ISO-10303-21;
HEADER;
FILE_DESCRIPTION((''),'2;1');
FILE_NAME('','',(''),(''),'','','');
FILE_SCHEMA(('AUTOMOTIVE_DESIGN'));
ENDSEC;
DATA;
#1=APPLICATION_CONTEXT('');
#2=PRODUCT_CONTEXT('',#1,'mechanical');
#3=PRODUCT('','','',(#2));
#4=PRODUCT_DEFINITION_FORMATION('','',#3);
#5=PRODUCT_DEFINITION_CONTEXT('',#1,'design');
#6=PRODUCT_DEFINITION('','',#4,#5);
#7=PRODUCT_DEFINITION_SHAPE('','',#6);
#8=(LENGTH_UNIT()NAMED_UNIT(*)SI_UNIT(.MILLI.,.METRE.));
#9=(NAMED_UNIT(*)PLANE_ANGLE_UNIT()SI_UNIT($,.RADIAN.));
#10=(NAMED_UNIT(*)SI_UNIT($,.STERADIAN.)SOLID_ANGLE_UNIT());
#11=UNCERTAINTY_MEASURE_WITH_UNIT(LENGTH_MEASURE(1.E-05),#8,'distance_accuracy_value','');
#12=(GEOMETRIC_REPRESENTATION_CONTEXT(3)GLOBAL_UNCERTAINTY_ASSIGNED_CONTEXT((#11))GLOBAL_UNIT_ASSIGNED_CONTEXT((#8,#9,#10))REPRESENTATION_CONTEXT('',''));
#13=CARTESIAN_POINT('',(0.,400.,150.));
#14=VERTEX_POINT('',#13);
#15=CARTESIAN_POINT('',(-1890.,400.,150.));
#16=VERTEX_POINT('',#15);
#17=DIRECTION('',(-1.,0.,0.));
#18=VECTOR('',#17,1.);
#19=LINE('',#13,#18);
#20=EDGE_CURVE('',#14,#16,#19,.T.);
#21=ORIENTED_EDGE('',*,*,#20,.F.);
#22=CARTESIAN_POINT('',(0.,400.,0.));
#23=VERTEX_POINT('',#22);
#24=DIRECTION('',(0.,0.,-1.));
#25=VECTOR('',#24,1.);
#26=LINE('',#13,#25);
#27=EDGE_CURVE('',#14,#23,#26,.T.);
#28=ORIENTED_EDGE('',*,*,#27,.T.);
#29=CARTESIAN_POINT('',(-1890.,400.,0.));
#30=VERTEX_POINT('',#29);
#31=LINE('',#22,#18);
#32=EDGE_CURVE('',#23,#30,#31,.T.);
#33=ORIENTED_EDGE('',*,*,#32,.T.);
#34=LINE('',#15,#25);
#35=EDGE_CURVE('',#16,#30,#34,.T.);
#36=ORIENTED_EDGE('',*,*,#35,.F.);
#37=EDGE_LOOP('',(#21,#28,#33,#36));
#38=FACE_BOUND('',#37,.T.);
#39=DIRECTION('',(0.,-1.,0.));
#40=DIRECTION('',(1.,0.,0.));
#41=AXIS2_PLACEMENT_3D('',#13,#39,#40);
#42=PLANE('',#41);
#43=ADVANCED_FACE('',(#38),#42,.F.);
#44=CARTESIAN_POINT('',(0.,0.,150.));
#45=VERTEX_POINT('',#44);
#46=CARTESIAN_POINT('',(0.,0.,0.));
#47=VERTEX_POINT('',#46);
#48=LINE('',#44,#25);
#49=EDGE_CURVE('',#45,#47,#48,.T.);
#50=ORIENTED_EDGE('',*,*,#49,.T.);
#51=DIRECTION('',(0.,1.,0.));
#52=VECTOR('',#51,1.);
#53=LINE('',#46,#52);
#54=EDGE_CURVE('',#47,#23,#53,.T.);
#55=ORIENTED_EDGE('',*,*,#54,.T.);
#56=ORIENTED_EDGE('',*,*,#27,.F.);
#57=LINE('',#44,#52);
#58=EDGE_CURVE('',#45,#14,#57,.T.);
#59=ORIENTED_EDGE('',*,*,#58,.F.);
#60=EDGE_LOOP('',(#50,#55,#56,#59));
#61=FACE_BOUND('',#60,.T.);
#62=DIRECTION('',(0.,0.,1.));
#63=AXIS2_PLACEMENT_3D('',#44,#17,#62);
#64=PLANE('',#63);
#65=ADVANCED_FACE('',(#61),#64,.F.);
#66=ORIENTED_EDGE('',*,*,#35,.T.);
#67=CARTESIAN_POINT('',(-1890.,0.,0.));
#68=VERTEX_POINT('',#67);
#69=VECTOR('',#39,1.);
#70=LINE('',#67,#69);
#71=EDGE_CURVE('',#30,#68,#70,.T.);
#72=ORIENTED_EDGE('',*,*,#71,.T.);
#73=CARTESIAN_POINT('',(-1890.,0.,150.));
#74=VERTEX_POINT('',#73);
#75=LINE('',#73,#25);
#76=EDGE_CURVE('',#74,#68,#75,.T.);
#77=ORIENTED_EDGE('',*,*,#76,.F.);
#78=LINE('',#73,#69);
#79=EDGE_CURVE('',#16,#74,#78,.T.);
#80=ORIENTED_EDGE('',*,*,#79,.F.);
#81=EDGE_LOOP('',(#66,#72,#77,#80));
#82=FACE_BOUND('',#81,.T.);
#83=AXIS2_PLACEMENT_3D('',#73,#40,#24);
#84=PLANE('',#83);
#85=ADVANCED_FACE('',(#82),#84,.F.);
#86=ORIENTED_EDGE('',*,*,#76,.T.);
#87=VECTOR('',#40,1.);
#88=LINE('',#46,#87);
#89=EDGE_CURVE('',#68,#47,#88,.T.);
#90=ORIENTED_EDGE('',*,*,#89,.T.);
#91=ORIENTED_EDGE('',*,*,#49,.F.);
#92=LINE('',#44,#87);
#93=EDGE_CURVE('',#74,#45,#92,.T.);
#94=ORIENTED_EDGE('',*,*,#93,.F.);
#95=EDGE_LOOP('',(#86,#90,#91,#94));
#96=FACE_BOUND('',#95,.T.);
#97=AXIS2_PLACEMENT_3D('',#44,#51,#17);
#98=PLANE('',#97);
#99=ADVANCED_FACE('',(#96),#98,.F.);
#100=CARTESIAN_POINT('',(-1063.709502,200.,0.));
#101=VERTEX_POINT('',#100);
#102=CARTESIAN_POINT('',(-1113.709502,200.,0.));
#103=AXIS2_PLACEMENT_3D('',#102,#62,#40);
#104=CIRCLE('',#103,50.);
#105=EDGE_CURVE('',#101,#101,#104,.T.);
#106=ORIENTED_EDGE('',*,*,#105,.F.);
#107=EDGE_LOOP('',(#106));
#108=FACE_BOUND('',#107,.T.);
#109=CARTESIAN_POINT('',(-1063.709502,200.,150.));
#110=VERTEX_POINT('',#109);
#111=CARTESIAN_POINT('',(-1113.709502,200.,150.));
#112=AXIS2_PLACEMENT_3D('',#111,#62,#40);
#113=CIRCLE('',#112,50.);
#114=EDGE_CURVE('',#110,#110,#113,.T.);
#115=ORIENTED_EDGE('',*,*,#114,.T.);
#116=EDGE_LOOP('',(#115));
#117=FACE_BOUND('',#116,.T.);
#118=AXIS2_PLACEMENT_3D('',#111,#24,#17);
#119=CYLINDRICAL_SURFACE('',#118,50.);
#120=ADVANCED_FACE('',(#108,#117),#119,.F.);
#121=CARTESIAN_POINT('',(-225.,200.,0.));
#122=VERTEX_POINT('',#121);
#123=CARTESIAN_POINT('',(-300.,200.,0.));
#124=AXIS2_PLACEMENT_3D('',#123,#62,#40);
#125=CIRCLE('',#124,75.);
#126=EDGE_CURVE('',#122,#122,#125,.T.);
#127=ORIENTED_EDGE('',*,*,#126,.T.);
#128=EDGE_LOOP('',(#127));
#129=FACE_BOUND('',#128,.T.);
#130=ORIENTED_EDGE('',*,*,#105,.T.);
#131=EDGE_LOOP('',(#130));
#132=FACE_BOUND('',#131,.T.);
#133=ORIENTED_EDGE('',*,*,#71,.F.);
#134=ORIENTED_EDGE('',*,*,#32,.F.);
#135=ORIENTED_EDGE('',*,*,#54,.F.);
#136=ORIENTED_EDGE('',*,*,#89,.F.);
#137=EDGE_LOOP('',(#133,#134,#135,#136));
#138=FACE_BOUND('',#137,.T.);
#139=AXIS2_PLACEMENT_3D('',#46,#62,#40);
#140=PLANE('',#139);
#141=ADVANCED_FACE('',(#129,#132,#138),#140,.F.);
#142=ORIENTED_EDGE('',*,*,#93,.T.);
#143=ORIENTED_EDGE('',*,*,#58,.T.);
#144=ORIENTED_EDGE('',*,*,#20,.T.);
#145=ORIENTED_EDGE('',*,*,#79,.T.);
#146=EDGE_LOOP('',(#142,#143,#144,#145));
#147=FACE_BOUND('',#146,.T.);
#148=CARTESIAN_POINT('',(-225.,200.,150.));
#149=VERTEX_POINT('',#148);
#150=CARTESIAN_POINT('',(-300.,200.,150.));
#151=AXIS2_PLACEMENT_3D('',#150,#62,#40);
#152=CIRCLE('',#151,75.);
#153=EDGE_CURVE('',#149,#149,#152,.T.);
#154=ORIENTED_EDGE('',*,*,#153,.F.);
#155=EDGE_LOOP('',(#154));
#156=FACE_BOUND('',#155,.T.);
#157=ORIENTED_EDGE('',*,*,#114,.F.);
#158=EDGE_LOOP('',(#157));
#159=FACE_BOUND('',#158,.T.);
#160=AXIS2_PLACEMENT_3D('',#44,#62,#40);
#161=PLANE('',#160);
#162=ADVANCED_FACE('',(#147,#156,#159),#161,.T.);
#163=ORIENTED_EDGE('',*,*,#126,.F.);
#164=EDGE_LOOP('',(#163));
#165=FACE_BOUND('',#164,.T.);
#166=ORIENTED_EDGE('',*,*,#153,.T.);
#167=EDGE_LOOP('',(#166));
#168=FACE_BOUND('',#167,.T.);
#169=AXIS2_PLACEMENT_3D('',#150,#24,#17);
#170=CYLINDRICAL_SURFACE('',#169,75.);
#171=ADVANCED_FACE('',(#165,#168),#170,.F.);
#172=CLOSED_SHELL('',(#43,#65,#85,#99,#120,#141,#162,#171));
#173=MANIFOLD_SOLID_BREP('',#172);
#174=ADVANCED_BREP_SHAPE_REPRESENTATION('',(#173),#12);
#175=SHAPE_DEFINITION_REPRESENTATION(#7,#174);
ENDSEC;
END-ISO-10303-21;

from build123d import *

# Parameters (mm, degrees)
SKETCH_272_W      = 1890
SKETCH_272_H      = 400
SKETCH_272_R      = 75
SKETCH_272_R_2    = 50
EXTRUDE_432_DEPTH = 150


with BuildPart() as part:
    # Sketch 272 → Extrude 432 (new body)
    with BuildSketch(Plane.XY):
        with Locations((-945, 200)):
            Rectangle(SKETCH_272_W, SKETCH_272_H)
        with Locations((-300, 200)):
            Circle(SKETCH_272_R, mode=Mode.SUBTRACT)
        with Locations((-1113.709502285, 200)):
            Circle(SKETCH_272_R_2, mode=Mode.SUBTRACT)
    extrude(amount=EXTRUDE_432_DEPTH)


solid = part.part
